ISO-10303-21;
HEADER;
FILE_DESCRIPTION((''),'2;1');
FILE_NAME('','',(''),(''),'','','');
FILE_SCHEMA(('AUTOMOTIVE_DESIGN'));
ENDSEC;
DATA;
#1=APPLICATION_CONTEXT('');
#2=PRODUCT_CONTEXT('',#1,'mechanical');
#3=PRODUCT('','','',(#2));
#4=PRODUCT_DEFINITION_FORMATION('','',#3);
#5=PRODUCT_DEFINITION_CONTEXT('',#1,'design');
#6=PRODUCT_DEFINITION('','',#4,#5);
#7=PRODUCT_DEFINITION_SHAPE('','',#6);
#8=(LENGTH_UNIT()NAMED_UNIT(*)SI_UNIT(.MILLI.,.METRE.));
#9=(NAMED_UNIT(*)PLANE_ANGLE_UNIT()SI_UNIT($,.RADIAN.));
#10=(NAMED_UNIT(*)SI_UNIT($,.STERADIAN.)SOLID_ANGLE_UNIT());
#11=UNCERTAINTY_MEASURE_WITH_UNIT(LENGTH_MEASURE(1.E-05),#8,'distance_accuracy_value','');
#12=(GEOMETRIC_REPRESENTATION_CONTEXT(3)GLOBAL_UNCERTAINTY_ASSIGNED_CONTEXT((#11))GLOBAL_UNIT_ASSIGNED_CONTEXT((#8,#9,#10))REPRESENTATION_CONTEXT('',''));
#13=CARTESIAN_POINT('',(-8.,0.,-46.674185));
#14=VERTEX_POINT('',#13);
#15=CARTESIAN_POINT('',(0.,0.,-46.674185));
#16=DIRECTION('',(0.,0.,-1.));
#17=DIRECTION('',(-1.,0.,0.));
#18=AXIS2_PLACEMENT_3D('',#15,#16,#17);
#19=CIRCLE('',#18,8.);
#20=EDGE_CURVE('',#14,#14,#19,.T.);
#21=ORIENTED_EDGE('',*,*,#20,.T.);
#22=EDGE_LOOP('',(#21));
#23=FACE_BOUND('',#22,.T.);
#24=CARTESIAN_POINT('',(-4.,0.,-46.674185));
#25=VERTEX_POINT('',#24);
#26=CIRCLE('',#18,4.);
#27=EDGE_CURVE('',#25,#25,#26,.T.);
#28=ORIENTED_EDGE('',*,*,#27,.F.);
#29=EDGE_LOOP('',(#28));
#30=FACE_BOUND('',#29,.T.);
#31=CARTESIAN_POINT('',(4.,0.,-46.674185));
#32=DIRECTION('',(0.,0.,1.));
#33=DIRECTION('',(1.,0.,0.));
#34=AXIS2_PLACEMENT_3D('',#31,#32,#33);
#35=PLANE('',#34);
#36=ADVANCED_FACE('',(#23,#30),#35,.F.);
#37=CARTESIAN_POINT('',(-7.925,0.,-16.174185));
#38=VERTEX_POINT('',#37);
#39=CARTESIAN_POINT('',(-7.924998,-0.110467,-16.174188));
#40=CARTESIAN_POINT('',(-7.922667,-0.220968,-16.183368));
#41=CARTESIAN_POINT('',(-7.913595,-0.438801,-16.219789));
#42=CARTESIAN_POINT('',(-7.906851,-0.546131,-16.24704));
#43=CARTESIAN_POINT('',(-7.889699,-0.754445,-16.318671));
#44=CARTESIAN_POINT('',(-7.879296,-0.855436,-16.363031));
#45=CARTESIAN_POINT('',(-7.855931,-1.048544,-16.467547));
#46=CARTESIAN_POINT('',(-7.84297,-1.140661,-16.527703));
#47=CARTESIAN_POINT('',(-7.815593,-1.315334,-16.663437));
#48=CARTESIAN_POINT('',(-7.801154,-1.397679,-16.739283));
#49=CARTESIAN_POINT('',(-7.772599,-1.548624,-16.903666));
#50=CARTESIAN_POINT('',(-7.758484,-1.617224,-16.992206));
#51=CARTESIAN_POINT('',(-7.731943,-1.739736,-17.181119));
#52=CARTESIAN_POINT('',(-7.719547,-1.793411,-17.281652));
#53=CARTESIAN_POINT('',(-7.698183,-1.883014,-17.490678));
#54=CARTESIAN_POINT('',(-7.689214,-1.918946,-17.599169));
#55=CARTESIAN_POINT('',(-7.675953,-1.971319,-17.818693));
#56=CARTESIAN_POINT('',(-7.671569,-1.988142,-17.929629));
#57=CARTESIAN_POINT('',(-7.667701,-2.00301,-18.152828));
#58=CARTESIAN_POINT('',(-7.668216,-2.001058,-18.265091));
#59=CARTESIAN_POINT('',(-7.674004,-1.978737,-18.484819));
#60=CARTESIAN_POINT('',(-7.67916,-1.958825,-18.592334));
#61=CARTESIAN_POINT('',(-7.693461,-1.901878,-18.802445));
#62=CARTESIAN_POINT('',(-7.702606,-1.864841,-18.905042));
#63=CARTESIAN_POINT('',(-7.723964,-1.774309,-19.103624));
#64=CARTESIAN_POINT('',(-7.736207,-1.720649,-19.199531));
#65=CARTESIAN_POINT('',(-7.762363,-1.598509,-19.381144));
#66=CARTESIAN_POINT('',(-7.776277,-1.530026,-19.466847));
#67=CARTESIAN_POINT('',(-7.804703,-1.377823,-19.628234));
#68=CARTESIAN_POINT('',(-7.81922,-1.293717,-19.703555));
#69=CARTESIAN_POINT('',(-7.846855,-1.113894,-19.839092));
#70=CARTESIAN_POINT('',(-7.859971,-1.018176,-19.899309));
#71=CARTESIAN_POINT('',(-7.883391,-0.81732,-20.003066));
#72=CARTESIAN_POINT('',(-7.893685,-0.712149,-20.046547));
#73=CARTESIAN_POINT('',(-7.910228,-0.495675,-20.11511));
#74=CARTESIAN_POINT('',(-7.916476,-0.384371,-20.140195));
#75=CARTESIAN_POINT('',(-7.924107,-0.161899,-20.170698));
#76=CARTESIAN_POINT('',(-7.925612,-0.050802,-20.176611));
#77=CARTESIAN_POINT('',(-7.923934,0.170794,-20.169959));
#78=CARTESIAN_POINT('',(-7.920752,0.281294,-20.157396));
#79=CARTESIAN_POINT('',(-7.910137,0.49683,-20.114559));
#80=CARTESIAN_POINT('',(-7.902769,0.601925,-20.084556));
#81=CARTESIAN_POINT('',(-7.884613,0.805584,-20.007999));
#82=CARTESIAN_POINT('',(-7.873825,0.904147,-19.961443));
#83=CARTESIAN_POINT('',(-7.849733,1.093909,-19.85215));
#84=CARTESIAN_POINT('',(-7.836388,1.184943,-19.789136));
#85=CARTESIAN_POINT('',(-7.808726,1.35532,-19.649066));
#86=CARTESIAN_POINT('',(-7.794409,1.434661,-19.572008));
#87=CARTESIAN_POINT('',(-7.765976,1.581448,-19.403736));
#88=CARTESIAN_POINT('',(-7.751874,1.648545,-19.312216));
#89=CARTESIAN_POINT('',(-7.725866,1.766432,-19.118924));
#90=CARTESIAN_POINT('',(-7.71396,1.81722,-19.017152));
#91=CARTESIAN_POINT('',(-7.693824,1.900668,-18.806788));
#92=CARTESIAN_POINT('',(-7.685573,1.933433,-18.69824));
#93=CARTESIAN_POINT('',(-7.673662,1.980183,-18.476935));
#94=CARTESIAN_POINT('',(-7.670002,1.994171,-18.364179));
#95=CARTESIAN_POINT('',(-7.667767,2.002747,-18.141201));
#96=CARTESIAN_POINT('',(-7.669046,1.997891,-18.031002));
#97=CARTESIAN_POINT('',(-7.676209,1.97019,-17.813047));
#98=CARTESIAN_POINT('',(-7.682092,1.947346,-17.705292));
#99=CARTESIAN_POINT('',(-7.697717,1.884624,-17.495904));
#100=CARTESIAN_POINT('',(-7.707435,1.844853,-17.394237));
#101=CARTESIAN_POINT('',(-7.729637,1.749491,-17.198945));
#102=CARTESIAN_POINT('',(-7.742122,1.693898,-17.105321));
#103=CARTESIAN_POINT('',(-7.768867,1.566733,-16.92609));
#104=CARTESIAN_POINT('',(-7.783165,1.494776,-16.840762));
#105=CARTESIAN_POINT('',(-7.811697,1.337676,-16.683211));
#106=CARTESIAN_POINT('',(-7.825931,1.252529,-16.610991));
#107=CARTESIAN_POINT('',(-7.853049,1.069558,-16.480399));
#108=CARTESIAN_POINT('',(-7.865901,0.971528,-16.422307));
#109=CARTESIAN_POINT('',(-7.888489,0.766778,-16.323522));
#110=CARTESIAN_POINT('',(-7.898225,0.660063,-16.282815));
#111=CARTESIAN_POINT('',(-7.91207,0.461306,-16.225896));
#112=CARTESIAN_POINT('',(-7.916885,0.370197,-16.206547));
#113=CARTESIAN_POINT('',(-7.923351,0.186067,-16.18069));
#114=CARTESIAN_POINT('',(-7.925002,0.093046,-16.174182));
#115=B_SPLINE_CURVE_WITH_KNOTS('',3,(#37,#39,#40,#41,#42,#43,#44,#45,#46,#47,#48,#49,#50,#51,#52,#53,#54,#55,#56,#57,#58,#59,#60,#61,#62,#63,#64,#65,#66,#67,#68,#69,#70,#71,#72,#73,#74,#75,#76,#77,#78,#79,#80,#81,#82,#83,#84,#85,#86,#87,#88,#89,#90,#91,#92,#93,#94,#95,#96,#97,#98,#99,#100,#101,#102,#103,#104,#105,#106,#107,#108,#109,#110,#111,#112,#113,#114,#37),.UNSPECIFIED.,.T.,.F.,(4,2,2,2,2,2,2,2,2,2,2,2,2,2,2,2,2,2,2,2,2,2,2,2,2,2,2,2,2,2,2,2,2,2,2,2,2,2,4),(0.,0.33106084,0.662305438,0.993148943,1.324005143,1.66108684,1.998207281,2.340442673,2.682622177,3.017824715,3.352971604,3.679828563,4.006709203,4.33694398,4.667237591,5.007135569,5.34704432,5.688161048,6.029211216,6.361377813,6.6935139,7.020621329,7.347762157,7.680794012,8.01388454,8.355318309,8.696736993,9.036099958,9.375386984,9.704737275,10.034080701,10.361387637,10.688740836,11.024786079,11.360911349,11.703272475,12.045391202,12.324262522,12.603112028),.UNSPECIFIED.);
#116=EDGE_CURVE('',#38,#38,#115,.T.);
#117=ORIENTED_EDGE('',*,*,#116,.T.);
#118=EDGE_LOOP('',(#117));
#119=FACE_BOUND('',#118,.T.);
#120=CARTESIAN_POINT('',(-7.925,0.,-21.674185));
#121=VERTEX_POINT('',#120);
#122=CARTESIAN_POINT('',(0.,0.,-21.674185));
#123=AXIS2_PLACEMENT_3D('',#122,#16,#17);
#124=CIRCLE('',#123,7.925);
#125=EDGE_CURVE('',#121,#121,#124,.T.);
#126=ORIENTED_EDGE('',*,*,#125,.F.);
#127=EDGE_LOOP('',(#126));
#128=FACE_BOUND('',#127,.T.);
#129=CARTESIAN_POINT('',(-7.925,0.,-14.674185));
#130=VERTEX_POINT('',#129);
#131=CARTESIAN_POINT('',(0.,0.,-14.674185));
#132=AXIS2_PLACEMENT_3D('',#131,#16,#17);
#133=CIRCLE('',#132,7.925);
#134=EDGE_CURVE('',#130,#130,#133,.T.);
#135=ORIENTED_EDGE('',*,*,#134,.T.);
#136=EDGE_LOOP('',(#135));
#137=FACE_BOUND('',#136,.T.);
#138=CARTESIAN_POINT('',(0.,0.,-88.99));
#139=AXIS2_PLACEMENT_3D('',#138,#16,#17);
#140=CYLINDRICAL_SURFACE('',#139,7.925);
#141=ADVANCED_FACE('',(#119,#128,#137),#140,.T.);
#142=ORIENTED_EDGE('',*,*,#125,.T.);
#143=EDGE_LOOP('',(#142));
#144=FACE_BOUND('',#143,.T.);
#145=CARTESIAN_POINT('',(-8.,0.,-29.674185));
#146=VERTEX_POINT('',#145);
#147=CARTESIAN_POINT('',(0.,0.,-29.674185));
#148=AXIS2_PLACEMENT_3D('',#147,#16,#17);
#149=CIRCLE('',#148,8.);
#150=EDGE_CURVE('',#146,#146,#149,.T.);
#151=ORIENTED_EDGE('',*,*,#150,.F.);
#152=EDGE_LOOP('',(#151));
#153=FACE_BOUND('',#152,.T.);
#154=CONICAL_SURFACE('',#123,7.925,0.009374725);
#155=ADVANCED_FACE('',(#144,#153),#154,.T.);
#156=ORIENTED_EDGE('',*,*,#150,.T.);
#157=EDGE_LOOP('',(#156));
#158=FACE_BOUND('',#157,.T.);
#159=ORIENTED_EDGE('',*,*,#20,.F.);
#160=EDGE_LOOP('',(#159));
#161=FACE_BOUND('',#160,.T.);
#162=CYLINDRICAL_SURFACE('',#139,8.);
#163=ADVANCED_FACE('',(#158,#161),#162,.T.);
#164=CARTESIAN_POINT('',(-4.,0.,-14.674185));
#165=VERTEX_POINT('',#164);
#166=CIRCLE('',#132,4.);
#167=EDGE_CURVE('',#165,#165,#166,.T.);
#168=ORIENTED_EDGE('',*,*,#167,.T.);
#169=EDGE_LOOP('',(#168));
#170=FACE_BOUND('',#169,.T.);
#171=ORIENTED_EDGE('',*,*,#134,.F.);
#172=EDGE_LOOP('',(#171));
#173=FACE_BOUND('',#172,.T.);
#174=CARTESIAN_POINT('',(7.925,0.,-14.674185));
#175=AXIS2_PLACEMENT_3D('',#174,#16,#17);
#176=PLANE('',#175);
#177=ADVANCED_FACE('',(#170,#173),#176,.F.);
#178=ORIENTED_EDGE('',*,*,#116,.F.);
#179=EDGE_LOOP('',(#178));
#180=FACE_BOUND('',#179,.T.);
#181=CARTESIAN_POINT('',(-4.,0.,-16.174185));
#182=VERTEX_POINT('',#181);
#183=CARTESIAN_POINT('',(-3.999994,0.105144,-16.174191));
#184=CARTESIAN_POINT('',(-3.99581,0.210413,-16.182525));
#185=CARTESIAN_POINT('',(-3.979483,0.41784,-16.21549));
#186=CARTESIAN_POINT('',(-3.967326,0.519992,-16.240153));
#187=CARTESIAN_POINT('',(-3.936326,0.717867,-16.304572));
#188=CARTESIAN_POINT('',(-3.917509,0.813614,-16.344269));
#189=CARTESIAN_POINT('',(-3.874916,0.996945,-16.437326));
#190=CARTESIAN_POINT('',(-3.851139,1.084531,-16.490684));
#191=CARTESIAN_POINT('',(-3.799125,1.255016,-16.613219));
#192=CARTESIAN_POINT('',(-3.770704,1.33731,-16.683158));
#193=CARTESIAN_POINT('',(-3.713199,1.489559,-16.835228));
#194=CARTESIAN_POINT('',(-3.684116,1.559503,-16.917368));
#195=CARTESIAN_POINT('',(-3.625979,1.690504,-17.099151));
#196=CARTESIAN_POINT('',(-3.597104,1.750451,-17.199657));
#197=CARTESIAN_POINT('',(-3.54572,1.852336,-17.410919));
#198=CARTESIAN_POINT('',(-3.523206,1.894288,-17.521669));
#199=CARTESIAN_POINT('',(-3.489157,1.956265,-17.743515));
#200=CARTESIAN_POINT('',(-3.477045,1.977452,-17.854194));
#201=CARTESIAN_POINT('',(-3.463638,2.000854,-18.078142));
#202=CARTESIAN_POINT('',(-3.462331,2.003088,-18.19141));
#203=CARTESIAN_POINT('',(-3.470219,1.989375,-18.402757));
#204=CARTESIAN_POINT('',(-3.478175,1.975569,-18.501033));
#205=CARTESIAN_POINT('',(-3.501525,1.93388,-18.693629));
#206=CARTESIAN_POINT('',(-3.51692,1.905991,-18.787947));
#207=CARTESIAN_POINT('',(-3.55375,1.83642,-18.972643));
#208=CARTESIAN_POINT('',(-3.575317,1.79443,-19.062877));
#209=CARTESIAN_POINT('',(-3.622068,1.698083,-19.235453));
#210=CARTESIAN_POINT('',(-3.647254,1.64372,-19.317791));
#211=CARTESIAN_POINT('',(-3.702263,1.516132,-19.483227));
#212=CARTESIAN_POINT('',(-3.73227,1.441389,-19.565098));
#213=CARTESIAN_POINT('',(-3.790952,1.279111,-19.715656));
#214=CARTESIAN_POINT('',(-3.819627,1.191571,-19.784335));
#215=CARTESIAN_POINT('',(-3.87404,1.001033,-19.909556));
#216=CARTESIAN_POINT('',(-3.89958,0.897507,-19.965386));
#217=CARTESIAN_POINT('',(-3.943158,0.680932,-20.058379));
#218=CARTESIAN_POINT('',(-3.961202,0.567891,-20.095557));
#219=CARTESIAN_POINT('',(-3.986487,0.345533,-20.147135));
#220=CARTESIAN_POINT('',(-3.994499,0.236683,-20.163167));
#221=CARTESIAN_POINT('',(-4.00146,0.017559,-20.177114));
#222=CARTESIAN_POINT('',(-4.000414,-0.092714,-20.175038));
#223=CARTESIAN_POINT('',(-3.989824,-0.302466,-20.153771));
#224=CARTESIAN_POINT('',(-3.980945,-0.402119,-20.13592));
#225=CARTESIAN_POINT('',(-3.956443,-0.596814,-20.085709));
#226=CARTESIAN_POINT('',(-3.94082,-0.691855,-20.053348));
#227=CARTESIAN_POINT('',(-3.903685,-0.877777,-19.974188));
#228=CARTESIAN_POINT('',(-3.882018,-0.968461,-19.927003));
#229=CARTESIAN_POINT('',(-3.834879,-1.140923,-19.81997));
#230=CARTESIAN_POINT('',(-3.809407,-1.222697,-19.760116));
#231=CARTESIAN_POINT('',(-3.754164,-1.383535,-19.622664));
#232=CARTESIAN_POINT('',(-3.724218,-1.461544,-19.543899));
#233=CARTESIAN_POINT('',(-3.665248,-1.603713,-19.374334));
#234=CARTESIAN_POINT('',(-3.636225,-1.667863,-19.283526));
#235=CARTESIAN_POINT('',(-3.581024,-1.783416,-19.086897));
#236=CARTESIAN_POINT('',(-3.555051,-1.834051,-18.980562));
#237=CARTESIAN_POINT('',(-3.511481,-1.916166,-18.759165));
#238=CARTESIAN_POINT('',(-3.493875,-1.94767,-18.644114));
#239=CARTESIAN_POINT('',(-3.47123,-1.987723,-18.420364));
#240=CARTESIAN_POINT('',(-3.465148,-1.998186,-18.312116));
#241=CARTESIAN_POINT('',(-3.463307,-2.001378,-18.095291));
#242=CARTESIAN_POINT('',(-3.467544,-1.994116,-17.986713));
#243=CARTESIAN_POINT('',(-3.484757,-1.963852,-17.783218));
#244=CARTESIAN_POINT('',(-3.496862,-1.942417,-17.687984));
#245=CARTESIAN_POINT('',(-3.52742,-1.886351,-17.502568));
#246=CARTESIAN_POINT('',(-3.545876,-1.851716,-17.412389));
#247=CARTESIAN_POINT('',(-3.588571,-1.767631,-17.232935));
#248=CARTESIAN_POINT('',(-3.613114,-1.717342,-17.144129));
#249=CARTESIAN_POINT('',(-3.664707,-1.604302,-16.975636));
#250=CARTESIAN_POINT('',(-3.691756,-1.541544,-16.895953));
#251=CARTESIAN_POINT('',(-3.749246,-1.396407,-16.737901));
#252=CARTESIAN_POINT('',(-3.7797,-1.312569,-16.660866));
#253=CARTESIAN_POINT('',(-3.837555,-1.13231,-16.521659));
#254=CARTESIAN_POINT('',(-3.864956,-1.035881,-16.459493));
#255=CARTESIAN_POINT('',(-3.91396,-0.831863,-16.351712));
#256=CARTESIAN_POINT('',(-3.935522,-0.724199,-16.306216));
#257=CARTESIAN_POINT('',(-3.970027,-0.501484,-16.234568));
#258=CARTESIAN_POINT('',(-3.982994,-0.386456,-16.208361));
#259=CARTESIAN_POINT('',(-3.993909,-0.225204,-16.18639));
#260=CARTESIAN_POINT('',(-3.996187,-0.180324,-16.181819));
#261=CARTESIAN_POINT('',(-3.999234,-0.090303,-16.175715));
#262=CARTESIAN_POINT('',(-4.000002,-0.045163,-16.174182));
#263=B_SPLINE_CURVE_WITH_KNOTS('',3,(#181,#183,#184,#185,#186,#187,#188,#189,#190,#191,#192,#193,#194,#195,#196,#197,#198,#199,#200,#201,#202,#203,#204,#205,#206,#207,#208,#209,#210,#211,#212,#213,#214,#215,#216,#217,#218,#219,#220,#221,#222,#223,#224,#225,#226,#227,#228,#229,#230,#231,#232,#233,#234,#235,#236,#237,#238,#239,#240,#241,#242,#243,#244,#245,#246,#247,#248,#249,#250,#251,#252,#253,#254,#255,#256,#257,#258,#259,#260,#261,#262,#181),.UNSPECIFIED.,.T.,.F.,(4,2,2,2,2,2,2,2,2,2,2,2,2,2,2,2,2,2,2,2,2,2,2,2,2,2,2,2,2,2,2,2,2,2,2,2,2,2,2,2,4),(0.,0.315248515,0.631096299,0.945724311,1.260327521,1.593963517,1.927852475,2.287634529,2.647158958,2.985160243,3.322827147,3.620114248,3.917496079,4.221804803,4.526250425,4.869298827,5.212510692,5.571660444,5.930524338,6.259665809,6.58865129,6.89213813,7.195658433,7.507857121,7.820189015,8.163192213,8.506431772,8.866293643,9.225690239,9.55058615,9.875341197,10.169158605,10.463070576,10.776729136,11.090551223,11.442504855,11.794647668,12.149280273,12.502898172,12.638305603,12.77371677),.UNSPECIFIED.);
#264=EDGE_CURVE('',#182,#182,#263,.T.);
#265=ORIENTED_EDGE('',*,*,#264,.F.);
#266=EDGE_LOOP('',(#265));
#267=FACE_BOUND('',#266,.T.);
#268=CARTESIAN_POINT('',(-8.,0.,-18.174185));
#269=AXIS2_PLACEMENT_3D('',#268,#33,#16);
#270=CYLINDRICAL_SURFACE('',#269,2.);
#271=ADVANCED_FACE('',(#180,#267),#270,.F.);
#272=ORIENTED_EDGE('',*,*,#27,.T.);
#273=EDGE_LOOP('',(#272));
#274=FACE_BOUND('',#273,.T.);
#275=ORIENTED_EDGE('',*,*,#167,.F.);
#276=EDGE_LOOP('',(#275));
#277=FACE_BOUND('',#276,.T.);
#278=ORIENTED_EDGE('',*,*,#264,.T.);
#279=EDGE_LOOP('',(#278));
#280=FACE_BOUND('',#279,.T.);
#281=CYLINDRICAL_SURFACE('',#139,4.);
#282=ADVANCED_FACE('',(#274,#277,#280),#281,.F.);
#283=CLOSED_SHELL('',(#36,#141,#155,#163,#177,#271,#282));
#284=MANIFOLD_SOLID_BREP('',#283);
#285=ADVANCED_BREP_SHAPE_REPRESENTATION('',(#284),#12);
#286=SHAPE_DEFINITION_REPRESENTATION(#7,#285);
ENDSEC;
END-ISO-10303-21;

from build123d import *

# Parameters (mm, degrees)
SCHIZZO2_R               = 2
TAGLIO_ESTRUSIONE1_DEPTH = 49.025821347


with BuildPart() as part:
    # Schizzo1 → Rivoluzione1 (revolve)
    with BuildSketch(Plane(origin=(0, 0, 0), x_dir=(1, 0, 0), z_dir=(0, 1, 0)), mode=Mode.PRIVATE) as rivoluzione1_sk:
        Polygon((4, 46.674184686), (8, 46.674184686), (8, 29.674184686), (7.925, 21.674184686), (7.925, 14.674184686), (4, 14.674184686), align=None)
    revolve(rivoluzione1_sk.sketch.rotate(Axis((0, 0, -88.99), (0, 0, 1)), 180), axis=Axis((0, 0, -88.99), (0, 0, 1)))

    # Schizzo2 → Taglio-Estrusione1 (cut, through all)
    with BuildSketch(Plane(origin=(0, 0, 0), x_dir=(0, 0, -1), z_dir=(1, 0, 0))):
        with Locations((18.174184686, 0)):
            Circle(SCHIZZO2_R)
    extrude(amount=-TAGLIO_ESTRUSIONE1_DEPTH, mode=Mode.SUBTRACT)


solid = part.part
